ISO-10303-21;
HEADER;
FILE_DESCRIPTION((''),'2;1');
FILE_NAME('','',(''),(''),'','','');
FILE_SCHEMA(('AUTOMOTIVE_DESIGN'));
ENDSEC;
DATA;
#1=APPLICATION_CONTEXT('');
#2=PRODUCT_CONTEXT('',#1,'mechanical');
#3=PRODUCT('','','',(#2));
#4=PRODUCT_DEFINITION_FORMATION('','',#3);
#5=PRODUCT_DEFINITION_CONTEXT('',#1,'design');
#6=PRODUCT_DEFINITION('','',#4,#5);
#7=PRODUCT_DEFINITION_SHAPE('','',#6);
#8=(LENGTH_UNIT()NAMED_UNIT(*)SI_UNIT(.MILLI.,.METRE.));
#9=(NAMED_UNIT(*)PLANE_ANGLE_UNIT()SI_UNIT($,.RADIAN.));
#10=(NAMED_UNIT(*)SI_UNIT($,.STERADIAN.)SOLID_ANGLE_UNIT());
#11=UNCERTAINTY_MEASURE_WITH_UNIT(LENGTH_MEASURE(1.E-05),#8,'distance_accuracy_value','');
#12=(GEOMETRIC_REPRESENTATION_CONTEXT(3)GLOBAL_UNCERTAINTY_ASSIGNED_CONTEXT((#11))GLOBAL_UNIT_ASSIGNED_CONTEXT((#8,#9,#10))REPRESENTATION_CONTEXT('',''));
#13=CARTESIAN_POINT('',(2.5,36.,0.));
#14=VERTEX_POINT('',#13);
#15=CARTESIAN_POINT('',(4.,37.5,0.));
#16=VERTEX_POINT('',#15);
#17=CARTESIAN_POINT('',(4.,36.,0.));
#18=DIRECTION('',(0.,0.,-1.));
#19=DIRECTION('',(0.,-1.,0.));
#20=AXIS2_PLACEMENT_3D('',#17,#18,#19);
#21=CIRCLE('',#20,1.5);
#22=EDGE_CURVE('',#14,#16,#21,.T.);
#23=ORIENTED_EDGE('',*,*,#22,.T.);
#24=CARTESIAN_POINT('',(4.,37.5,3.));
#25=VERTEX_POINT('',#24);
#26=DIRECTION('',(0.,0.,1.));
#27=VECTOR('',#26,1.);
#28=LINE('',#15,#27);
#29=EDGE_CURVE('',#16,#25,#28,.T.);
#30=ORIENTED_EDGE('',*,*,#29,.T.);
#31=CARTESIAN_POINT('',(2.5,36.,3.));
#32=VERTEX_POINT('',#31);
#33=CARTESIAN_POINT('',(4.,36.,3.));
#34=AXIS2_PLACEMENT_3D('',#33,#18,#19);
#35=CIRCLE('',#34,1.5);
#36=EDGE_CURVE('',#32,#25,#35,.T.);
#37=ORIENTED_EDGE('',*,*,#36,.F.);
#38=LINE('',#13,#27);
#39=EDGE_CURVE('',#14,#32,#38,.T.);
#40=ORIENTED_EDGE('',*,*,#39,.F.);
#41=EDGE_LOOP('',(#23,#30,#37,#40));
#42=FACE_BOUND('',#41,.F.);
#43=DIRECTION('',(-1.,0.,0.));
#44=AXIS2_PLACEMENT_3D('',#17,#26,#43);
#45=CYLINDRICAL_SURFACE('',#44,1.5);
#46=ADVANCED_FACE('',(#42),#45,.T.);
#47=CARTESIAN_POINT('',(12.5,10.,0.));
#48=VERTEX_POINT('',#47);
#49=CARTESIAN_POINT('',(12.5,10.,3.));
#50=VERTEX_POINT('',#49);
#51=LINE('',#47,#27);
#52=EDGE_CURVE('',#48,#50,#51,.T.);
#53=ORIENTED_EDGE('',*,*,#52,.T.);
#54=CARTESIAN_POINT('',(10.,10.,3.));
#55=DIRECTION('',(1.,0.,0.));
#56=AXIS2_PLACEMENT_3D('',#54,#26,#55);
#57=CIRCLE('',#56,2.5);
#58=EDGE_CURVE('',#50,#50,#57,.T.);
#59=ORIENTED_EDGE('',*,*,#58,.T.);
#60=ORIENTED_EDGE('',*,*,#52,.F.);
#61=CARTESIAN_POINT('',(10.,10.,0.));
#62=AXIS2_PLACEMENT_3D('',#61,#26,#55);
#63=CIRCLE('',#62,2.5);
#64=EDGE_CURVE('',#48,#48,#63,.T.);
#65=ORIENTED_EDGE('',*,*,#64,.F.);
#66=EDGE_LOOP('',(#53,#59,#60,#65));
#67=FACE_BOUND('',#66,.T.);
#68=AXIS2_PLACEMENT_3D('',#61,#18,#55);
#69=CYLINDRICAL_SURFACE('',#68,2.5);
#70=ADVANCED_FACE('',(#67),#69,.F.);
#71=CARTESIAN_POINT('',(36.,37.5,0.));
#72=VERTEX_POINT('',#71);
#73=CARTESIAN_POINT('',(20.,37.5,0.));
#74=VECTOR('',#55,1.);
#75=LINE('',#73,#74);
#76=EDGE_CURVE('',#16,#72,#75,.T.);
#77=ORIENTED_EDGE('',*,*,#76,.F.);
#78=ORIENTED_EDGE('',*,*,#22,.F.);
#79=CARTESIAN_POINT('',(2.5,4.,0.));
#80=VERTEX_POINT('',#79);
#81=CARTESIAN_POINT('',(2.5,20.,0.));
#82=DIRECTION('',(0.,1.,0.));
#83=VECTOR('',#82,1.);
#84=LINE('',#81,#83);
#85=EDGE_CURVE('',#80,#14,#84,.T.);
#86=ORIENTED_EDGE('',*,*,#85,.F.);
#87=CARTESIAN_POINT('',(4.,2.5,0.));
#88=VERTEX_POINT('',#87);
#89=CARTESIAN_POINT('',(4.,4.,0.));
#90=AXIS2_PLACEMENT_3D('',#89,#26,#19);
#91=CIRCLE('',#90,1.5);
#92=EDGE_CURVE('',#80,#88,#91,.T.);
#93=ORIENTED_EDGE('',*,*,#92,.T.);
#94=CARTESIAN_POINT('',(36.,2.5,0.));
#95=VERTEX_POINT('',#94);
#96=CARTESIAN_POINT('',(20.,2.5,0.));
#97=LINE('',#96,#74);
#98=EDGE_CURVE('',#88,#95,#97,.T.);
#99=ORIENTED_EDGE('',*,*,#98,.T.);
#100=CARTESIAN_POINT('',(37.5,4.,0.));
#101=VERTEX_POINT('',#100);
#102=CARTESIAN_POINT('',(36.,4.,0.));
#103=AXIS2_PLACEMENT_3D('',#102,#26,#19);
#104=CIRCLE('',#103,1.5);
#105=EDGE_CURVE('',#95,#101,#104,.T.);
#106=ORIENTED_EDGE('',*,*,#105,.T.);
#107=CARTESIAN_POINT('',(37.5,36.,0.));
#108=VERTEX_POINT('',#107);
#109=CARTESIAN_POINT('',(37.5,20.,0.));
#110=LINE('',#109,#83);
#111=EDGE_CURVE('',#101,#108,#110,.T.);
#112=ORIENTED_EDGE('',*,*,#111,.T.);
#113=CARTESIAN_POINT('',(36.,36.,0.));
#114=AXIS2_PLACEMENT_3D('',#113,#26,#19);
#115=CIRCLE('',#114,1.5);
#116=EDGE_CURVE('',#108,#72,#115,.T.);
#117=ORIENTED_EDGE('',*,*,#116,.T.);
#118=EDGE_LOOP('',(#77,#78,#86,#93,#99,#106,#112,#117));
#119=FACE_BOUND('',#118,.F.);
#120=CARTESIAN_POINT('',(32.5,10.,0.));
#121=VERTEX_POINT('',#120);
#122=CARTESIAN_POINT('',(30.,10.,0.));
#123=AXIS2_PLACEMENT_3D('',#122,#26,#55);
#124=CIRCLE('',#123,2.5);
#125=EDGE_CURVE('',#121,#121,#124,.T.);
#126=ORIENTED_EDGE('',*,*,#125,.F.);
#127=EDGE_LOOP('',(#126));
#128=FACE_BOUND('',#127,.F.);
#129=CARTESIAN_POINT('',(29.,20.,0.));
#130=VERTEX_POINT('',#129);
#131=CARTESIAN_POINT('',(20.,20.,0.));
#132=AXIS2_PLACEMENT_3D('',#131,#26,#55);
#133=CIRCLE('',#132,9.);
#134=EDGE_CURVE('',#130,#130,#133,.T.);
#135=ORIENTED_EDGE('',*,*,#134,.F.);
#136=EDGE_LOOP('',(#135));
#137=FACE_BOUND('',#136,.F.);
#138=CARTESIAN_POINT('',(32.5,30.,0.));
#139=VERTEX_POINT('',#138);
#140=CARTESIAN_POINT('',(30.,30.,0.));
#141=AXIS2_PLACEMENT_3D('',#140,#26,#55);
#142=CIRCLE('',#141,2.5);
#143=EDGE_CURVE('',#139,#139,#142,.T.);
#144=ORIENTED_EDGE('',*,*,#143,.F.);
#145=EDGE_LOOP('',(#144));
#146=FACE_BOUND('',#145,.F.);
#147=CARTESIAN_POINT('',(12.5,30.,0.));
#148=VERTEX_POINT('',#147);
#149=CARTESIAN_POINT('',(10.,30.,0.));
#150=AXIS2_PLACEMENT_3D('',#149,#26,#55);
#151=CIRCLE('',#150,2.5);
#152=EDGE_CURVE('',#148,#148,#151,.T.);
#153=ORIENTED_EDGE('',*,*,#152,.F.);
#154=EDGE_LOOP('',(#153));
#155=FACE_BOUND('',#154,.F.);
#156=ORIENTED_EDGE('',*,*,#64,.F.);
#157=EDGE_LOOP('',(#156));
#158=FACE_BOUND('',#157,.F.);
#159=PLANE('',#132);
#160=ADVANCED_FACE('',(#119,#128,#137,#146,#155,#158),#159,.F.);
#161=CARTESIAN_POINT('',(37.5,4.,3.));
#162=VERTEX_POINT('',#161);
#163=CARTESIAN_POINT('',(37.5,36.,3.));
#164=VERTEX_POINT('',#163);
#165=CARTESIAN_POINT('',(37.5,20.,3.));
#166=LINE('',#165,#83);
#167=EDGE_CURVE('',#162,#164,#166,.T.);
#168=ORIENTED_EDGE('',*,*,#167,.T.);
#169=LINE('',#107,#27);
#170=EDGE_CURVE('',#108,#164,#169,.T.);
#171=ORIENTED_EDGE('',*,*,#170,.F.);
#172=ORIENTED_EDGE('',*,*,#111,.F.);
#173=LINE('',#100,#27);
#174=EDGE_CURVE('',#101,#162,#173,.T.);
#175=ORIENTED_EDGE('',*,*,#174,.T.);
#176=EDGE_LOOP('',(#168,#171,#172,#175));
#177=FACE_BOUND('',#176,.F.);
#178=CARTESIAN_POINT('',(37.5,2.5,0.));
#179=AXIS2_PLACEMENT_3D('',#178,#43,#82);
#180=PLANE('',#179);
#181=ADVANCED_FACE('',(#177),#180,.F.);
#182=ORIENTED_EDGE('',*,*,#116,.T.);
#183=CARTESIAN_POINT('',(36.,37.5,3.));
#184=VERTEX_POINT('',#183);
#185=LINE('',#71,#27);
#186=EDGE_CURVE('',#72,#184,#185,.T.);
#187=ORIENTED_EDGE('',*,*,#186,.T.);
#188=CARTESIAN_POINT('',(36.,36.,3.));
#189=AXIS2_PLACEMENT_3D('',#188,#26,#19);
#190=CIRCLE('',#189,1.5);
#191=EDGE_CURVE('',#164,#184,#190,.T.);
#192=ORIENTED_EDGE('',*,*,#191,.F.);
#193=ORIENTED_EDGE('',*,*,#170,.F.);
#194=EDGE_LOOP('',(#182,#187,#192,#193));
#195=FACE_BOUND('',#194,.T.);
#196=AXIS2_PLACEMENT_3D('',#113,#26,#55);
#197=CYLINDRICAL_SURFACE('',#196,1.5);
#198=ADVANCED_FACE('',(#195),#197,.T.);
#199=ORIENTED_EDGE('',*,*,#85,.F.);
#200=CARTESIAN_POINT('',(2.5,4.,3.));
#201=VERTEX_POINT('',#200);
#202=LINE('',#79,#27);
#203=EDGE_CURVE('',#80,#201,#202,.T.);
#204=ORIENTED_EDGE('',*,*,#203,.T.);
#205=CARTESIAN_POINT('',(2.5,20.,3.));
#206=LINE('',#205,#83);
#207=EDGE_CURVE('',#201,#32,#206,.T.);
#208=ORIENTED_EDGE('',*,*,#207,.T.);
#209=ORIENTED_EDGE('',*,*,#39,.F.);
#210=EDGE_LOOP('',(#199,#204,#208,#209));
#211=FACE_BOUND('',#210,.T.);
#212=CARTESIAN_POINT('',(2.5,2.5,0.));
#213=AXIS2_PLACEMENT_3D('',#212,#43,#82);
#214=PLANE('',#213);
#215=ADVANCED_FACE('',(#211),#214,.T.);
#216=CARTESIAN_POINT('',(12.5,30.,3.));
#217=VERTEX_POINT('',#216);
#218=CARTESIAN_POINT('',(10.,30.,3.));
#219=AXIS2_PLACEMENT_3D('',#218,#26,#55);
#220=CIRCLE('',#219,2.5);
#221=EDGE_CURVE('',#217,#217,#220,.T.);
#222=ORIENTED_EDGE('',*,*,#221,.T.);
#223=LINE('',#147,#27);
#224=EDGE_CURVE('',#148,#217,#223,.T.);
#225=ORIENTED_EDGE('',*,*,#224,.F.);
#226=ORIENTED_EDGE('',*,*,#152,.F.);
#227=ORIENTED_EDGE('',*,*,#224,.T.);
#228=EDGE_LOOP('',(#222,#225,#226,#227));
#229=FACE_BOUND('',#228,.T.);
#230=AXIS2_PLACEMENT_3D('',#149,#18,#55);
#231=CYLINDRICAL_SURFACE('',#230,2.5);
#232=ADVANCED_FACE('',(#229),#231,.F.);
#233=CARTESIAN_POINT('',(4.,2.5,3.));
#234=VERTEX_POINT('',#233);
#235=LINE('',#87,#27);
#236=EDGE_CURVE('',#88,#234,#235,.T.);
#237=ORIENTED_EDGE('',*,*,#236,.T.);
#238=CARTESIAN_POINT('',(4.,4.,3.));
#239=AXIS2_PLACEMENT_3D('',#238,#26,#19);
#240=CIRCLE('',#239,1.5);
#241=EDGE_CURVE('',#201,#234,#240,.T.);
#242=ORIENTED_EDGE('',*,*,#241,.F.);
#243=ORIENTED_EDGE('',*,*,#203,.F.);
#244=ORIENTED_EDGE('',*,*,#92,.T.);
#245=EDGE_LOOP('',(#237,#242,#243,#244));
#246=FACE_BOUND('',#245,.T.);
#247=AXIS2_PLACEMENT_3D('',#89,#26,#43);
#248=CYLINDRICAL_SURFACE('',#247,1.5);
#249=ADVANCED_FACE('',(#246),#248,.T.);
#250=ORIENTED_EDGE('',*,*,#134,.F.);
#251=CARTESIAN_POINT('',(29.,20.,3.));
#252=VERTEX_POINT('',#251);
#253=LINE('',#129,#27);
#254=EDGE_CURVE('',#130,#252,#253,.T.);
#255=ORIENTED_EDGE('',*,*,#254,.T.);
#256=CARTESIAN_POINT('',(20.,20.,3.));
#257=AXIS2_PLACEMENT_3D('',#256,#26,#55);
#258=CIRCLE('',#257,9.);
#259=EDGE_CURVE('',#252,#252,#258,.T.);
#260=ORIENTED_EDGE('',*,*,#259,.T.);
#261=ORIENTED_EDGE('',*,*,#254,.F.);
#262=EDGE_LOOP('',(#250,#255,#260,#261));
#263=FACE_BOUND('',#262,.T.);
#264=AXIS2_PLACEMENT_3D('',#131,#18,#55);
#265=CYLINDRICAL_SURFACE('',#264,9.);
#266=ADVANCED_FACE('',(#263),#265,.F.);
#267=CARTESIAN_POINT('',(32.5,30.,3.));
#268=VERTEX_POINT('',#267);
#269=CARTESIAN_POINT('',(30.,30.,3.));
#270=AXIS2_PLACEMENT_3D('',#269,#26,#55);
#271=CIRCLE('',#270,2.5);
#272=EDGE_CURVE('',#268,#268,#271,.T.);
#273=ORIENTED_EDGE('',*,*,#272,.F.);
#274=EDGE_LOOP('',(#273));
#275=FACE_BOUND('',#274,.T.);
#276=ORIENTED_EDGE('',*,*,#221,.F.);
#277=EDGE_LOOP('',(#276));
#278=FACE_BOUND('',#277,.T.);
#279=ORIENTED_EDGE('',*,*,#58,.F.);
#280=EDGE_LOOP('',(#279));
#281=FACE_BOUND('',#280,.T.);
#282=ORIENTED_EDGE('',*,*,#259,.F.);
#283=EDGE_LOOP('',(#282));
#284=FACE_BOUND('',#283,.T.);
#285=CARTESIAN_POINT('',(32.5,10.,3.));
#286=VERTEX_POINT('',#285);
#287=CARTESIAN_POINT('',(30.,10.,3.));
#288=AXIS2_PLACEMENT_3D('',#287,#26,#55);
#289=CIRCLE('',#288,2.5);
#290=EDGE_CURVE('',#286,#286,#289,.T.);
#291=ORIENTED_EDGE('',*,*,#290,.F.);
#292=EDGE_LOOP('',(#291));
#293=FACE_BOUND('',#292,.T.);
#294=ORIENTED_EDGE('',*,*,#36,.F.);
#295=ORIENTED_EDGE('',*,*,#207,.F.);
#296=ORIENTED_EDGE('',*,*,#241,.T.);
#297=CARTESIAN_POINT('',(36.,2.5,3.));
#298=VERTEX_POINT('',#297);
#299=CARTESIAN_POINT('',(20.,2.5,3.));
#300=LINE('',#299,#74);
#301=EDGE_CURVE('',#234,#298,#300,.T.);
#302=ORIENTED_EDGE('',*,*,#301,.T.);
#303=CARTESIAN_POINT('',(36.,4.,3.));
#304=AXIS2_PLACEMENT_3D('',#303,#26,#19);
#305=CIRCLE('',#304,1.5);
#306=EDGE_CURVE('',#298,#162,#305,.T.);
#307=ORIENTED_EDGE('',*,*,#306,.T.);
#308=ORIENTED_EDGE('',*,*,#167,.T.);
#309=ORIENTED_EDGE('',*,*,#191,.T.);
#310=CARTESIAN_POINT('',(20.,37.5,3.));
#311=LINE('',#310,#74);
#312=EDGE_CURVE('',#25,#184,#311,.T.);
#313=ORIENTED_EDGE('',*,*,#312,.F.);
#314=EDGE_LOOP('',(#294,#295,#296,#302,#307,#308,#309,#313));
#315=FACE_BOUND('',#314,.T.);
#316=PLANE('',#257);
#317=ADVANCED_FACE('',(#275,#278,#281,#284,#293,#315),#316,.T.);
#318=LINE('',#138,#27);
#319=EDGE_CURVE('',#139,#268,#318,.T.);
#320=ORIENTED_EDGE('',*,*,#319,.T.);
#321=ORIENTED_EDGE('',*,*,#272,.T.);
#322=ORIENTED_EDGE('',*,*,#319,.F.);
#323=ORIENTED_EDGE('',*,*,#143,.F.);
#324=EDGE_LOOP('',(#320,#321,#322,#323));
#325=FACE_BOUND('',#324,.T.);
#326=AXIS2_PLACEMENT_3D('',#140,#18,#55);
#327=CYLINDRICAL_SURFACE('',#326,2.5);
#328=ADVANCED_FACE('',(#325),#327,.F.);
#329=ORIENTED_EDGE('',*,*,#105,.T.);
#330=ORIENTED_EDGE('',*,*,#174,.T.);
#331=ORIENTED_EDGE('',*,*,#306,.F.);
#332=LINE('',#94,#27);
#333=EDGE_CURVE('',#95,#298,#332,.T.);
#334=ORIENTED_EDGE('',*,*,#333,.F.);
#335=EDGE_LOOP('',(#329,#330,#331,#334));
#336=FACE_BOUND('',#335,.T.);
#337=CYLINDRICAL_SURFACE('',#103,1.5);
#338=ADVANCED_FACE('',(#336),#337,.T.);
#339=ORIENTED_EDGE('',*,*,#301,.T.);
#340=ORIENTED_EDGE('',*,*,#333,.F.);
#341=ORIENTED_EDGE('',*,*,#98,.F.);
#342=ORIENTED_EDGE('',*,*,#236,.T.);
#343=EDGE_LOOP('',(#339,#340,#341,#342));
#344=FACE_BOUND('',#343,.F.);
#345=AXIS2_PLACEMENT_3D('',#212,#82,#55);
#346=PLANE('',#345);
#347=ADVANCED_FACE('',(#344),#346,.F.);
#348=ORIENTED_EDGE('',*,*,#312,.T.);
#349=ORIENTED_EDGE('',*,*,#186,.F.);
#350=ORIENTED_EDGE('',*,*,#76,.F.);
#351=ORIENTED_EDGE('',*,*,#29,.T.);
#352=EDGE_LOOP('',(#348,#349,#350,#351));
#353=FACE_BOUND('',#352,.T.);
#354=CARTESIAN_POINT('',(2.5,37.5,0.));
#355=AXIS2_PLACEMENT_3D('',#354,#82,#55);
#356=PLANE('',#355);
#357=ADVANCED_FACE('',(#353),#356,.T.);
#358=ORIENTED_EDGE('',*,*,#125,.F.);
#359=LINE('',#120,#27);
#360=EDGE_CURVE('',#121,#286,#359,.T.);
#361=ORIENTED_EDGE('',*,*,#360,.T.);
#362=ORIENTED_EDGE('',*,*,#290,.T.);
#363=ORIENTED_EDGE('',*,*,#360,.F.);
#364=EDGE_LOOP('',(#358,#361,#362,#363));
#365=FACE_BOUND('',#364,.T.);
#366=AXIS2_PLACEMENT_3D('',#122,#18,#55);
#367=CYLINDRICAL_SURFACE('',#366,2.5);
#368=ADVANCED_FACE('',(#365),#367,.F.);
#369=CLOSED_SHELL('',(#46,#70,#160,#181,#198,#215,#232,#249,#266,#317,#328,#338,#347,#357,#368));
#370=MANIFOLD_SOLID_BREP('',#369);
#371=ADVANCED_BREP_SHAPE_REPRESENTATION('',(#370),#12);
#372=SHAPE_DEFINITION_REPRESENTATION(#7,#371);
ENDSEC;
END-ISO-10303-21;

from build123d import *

# Parameters (mm, degrees)
CYLINDER002_R     = 2.5
CYLINDER002_DEPTH = 3
CYLINDER001_R     = 9
CYLINDER001_DEPTH = 3
CYLINDER003_R     = 2.5
CYLINDER003_DEPTH = 3
CYLINDER004_R     = 2.5
CYLINDER004_DEPTH = 3
CYLINDER005_R     = 2.5
CYLINDER005_DEPTH = 3
BOX002_W          = 35
BOX002_H          = 35
BOX002_DEPTH      = 3
FILLET002_R       = 1.5


with BuildPart() as cylinder002:
    # Cylinder002 → Cylinder002 (new body)
    with BuildSketch(Plane(origin=(10, 10, 0), x_dir=(1, 0, 0), z_dir=(0, 0, 1))):
        Circle(CYLINDER002_R)
    extrude(amount=CYLINDER002_DEPTH)


with BuildPart() as cylinder001:
    # Cylinder001 → Cylinder001 (new body)
    with BuildSketch(Plane(origin=(20, 20, 0), x_dir=(1, 0, 0), z_dir=(0, 0, 1))):
        Circle(CYLINDER001_R)
    extrude(amount=CYLINDER001_DEPTH)


with BuildPart() as cylinder003:
    # Cylinder003 → Cylinder003 (new body)
    with BuildSketch(Plane(origin=(30, 10, 0), x_dir=(1, 0, 0), z_dir=(0, 0, 1))):
        Circle(CYLINDER003_R)
    extrude(amount=CYLINDER003_DEPTH)


with BuildPart() as cylinder004:
    # Cylinder004 → Cylinder004 (new body)
    with BuildSketch(Plane(origin=(10, 30, 0), x_dir=(1, 0, 0), z_dir=(0, 0, 1))):
        Circle(CYLINDER004_R)
    extrude(amount=CYLINDER004_DEPTH)


with BuildPart() as cylinder005:
    # Cylinder005 → Cylinder005 (new body)
    with BuildSketch(Plane(origin=(30, 30, 0), x_dir=(1, 0, 0), z_dir=(0, 0, 1))):
        Circle(CYLINDER005_R)
    extrude(amount=CYLINDER005_DEPTH)


with BuildPart() as cut006:
    # Box002 → Box002 (new body)
    with BuildSketch(Plane(origin=(2.5, 2.5, 0), x_dir=(1, 0, 0), z_dir=(0, 0, 1))):
        with Locations((17.5, 17.5)):
            Rectangle(BOX002_W, BOX002_H)
    extrude(amount=BOX002_DEPTH)

    # Fillet002
    fillet002_edges = [cut006.edges().sort_by_distance(p)[0] for p in [
        (2.5, 2.5, 1.5),
        (2.5, 37.5, 1.5),
        (37.5, 2.5, 1.5),
        (37.5, 37.5, 1.5),
    ]]
    fillet(fillet002_edges, radius=FILLET002_R)

    # Cut002: cut Cylinder005
    add(cylinder005.part, mode=Mode.SUBTRACT)

    # Cut003: cut Cylinder004
    add(cylinder004.part, mode=Mode.SUBTRACT)

    # Cut004: cut Cylinder003
    add(cylinder003.part, mode=Mode.SUBTRACT)

    # Cut005: cut Cylinder001
    add(cylinder001.part, mode=Mode.SUBTRACT)

    # Cut006: cut Cylinder002
    add(cylinder002.part, mode=Mode.SUBTRACT)


solid = cut006.part
